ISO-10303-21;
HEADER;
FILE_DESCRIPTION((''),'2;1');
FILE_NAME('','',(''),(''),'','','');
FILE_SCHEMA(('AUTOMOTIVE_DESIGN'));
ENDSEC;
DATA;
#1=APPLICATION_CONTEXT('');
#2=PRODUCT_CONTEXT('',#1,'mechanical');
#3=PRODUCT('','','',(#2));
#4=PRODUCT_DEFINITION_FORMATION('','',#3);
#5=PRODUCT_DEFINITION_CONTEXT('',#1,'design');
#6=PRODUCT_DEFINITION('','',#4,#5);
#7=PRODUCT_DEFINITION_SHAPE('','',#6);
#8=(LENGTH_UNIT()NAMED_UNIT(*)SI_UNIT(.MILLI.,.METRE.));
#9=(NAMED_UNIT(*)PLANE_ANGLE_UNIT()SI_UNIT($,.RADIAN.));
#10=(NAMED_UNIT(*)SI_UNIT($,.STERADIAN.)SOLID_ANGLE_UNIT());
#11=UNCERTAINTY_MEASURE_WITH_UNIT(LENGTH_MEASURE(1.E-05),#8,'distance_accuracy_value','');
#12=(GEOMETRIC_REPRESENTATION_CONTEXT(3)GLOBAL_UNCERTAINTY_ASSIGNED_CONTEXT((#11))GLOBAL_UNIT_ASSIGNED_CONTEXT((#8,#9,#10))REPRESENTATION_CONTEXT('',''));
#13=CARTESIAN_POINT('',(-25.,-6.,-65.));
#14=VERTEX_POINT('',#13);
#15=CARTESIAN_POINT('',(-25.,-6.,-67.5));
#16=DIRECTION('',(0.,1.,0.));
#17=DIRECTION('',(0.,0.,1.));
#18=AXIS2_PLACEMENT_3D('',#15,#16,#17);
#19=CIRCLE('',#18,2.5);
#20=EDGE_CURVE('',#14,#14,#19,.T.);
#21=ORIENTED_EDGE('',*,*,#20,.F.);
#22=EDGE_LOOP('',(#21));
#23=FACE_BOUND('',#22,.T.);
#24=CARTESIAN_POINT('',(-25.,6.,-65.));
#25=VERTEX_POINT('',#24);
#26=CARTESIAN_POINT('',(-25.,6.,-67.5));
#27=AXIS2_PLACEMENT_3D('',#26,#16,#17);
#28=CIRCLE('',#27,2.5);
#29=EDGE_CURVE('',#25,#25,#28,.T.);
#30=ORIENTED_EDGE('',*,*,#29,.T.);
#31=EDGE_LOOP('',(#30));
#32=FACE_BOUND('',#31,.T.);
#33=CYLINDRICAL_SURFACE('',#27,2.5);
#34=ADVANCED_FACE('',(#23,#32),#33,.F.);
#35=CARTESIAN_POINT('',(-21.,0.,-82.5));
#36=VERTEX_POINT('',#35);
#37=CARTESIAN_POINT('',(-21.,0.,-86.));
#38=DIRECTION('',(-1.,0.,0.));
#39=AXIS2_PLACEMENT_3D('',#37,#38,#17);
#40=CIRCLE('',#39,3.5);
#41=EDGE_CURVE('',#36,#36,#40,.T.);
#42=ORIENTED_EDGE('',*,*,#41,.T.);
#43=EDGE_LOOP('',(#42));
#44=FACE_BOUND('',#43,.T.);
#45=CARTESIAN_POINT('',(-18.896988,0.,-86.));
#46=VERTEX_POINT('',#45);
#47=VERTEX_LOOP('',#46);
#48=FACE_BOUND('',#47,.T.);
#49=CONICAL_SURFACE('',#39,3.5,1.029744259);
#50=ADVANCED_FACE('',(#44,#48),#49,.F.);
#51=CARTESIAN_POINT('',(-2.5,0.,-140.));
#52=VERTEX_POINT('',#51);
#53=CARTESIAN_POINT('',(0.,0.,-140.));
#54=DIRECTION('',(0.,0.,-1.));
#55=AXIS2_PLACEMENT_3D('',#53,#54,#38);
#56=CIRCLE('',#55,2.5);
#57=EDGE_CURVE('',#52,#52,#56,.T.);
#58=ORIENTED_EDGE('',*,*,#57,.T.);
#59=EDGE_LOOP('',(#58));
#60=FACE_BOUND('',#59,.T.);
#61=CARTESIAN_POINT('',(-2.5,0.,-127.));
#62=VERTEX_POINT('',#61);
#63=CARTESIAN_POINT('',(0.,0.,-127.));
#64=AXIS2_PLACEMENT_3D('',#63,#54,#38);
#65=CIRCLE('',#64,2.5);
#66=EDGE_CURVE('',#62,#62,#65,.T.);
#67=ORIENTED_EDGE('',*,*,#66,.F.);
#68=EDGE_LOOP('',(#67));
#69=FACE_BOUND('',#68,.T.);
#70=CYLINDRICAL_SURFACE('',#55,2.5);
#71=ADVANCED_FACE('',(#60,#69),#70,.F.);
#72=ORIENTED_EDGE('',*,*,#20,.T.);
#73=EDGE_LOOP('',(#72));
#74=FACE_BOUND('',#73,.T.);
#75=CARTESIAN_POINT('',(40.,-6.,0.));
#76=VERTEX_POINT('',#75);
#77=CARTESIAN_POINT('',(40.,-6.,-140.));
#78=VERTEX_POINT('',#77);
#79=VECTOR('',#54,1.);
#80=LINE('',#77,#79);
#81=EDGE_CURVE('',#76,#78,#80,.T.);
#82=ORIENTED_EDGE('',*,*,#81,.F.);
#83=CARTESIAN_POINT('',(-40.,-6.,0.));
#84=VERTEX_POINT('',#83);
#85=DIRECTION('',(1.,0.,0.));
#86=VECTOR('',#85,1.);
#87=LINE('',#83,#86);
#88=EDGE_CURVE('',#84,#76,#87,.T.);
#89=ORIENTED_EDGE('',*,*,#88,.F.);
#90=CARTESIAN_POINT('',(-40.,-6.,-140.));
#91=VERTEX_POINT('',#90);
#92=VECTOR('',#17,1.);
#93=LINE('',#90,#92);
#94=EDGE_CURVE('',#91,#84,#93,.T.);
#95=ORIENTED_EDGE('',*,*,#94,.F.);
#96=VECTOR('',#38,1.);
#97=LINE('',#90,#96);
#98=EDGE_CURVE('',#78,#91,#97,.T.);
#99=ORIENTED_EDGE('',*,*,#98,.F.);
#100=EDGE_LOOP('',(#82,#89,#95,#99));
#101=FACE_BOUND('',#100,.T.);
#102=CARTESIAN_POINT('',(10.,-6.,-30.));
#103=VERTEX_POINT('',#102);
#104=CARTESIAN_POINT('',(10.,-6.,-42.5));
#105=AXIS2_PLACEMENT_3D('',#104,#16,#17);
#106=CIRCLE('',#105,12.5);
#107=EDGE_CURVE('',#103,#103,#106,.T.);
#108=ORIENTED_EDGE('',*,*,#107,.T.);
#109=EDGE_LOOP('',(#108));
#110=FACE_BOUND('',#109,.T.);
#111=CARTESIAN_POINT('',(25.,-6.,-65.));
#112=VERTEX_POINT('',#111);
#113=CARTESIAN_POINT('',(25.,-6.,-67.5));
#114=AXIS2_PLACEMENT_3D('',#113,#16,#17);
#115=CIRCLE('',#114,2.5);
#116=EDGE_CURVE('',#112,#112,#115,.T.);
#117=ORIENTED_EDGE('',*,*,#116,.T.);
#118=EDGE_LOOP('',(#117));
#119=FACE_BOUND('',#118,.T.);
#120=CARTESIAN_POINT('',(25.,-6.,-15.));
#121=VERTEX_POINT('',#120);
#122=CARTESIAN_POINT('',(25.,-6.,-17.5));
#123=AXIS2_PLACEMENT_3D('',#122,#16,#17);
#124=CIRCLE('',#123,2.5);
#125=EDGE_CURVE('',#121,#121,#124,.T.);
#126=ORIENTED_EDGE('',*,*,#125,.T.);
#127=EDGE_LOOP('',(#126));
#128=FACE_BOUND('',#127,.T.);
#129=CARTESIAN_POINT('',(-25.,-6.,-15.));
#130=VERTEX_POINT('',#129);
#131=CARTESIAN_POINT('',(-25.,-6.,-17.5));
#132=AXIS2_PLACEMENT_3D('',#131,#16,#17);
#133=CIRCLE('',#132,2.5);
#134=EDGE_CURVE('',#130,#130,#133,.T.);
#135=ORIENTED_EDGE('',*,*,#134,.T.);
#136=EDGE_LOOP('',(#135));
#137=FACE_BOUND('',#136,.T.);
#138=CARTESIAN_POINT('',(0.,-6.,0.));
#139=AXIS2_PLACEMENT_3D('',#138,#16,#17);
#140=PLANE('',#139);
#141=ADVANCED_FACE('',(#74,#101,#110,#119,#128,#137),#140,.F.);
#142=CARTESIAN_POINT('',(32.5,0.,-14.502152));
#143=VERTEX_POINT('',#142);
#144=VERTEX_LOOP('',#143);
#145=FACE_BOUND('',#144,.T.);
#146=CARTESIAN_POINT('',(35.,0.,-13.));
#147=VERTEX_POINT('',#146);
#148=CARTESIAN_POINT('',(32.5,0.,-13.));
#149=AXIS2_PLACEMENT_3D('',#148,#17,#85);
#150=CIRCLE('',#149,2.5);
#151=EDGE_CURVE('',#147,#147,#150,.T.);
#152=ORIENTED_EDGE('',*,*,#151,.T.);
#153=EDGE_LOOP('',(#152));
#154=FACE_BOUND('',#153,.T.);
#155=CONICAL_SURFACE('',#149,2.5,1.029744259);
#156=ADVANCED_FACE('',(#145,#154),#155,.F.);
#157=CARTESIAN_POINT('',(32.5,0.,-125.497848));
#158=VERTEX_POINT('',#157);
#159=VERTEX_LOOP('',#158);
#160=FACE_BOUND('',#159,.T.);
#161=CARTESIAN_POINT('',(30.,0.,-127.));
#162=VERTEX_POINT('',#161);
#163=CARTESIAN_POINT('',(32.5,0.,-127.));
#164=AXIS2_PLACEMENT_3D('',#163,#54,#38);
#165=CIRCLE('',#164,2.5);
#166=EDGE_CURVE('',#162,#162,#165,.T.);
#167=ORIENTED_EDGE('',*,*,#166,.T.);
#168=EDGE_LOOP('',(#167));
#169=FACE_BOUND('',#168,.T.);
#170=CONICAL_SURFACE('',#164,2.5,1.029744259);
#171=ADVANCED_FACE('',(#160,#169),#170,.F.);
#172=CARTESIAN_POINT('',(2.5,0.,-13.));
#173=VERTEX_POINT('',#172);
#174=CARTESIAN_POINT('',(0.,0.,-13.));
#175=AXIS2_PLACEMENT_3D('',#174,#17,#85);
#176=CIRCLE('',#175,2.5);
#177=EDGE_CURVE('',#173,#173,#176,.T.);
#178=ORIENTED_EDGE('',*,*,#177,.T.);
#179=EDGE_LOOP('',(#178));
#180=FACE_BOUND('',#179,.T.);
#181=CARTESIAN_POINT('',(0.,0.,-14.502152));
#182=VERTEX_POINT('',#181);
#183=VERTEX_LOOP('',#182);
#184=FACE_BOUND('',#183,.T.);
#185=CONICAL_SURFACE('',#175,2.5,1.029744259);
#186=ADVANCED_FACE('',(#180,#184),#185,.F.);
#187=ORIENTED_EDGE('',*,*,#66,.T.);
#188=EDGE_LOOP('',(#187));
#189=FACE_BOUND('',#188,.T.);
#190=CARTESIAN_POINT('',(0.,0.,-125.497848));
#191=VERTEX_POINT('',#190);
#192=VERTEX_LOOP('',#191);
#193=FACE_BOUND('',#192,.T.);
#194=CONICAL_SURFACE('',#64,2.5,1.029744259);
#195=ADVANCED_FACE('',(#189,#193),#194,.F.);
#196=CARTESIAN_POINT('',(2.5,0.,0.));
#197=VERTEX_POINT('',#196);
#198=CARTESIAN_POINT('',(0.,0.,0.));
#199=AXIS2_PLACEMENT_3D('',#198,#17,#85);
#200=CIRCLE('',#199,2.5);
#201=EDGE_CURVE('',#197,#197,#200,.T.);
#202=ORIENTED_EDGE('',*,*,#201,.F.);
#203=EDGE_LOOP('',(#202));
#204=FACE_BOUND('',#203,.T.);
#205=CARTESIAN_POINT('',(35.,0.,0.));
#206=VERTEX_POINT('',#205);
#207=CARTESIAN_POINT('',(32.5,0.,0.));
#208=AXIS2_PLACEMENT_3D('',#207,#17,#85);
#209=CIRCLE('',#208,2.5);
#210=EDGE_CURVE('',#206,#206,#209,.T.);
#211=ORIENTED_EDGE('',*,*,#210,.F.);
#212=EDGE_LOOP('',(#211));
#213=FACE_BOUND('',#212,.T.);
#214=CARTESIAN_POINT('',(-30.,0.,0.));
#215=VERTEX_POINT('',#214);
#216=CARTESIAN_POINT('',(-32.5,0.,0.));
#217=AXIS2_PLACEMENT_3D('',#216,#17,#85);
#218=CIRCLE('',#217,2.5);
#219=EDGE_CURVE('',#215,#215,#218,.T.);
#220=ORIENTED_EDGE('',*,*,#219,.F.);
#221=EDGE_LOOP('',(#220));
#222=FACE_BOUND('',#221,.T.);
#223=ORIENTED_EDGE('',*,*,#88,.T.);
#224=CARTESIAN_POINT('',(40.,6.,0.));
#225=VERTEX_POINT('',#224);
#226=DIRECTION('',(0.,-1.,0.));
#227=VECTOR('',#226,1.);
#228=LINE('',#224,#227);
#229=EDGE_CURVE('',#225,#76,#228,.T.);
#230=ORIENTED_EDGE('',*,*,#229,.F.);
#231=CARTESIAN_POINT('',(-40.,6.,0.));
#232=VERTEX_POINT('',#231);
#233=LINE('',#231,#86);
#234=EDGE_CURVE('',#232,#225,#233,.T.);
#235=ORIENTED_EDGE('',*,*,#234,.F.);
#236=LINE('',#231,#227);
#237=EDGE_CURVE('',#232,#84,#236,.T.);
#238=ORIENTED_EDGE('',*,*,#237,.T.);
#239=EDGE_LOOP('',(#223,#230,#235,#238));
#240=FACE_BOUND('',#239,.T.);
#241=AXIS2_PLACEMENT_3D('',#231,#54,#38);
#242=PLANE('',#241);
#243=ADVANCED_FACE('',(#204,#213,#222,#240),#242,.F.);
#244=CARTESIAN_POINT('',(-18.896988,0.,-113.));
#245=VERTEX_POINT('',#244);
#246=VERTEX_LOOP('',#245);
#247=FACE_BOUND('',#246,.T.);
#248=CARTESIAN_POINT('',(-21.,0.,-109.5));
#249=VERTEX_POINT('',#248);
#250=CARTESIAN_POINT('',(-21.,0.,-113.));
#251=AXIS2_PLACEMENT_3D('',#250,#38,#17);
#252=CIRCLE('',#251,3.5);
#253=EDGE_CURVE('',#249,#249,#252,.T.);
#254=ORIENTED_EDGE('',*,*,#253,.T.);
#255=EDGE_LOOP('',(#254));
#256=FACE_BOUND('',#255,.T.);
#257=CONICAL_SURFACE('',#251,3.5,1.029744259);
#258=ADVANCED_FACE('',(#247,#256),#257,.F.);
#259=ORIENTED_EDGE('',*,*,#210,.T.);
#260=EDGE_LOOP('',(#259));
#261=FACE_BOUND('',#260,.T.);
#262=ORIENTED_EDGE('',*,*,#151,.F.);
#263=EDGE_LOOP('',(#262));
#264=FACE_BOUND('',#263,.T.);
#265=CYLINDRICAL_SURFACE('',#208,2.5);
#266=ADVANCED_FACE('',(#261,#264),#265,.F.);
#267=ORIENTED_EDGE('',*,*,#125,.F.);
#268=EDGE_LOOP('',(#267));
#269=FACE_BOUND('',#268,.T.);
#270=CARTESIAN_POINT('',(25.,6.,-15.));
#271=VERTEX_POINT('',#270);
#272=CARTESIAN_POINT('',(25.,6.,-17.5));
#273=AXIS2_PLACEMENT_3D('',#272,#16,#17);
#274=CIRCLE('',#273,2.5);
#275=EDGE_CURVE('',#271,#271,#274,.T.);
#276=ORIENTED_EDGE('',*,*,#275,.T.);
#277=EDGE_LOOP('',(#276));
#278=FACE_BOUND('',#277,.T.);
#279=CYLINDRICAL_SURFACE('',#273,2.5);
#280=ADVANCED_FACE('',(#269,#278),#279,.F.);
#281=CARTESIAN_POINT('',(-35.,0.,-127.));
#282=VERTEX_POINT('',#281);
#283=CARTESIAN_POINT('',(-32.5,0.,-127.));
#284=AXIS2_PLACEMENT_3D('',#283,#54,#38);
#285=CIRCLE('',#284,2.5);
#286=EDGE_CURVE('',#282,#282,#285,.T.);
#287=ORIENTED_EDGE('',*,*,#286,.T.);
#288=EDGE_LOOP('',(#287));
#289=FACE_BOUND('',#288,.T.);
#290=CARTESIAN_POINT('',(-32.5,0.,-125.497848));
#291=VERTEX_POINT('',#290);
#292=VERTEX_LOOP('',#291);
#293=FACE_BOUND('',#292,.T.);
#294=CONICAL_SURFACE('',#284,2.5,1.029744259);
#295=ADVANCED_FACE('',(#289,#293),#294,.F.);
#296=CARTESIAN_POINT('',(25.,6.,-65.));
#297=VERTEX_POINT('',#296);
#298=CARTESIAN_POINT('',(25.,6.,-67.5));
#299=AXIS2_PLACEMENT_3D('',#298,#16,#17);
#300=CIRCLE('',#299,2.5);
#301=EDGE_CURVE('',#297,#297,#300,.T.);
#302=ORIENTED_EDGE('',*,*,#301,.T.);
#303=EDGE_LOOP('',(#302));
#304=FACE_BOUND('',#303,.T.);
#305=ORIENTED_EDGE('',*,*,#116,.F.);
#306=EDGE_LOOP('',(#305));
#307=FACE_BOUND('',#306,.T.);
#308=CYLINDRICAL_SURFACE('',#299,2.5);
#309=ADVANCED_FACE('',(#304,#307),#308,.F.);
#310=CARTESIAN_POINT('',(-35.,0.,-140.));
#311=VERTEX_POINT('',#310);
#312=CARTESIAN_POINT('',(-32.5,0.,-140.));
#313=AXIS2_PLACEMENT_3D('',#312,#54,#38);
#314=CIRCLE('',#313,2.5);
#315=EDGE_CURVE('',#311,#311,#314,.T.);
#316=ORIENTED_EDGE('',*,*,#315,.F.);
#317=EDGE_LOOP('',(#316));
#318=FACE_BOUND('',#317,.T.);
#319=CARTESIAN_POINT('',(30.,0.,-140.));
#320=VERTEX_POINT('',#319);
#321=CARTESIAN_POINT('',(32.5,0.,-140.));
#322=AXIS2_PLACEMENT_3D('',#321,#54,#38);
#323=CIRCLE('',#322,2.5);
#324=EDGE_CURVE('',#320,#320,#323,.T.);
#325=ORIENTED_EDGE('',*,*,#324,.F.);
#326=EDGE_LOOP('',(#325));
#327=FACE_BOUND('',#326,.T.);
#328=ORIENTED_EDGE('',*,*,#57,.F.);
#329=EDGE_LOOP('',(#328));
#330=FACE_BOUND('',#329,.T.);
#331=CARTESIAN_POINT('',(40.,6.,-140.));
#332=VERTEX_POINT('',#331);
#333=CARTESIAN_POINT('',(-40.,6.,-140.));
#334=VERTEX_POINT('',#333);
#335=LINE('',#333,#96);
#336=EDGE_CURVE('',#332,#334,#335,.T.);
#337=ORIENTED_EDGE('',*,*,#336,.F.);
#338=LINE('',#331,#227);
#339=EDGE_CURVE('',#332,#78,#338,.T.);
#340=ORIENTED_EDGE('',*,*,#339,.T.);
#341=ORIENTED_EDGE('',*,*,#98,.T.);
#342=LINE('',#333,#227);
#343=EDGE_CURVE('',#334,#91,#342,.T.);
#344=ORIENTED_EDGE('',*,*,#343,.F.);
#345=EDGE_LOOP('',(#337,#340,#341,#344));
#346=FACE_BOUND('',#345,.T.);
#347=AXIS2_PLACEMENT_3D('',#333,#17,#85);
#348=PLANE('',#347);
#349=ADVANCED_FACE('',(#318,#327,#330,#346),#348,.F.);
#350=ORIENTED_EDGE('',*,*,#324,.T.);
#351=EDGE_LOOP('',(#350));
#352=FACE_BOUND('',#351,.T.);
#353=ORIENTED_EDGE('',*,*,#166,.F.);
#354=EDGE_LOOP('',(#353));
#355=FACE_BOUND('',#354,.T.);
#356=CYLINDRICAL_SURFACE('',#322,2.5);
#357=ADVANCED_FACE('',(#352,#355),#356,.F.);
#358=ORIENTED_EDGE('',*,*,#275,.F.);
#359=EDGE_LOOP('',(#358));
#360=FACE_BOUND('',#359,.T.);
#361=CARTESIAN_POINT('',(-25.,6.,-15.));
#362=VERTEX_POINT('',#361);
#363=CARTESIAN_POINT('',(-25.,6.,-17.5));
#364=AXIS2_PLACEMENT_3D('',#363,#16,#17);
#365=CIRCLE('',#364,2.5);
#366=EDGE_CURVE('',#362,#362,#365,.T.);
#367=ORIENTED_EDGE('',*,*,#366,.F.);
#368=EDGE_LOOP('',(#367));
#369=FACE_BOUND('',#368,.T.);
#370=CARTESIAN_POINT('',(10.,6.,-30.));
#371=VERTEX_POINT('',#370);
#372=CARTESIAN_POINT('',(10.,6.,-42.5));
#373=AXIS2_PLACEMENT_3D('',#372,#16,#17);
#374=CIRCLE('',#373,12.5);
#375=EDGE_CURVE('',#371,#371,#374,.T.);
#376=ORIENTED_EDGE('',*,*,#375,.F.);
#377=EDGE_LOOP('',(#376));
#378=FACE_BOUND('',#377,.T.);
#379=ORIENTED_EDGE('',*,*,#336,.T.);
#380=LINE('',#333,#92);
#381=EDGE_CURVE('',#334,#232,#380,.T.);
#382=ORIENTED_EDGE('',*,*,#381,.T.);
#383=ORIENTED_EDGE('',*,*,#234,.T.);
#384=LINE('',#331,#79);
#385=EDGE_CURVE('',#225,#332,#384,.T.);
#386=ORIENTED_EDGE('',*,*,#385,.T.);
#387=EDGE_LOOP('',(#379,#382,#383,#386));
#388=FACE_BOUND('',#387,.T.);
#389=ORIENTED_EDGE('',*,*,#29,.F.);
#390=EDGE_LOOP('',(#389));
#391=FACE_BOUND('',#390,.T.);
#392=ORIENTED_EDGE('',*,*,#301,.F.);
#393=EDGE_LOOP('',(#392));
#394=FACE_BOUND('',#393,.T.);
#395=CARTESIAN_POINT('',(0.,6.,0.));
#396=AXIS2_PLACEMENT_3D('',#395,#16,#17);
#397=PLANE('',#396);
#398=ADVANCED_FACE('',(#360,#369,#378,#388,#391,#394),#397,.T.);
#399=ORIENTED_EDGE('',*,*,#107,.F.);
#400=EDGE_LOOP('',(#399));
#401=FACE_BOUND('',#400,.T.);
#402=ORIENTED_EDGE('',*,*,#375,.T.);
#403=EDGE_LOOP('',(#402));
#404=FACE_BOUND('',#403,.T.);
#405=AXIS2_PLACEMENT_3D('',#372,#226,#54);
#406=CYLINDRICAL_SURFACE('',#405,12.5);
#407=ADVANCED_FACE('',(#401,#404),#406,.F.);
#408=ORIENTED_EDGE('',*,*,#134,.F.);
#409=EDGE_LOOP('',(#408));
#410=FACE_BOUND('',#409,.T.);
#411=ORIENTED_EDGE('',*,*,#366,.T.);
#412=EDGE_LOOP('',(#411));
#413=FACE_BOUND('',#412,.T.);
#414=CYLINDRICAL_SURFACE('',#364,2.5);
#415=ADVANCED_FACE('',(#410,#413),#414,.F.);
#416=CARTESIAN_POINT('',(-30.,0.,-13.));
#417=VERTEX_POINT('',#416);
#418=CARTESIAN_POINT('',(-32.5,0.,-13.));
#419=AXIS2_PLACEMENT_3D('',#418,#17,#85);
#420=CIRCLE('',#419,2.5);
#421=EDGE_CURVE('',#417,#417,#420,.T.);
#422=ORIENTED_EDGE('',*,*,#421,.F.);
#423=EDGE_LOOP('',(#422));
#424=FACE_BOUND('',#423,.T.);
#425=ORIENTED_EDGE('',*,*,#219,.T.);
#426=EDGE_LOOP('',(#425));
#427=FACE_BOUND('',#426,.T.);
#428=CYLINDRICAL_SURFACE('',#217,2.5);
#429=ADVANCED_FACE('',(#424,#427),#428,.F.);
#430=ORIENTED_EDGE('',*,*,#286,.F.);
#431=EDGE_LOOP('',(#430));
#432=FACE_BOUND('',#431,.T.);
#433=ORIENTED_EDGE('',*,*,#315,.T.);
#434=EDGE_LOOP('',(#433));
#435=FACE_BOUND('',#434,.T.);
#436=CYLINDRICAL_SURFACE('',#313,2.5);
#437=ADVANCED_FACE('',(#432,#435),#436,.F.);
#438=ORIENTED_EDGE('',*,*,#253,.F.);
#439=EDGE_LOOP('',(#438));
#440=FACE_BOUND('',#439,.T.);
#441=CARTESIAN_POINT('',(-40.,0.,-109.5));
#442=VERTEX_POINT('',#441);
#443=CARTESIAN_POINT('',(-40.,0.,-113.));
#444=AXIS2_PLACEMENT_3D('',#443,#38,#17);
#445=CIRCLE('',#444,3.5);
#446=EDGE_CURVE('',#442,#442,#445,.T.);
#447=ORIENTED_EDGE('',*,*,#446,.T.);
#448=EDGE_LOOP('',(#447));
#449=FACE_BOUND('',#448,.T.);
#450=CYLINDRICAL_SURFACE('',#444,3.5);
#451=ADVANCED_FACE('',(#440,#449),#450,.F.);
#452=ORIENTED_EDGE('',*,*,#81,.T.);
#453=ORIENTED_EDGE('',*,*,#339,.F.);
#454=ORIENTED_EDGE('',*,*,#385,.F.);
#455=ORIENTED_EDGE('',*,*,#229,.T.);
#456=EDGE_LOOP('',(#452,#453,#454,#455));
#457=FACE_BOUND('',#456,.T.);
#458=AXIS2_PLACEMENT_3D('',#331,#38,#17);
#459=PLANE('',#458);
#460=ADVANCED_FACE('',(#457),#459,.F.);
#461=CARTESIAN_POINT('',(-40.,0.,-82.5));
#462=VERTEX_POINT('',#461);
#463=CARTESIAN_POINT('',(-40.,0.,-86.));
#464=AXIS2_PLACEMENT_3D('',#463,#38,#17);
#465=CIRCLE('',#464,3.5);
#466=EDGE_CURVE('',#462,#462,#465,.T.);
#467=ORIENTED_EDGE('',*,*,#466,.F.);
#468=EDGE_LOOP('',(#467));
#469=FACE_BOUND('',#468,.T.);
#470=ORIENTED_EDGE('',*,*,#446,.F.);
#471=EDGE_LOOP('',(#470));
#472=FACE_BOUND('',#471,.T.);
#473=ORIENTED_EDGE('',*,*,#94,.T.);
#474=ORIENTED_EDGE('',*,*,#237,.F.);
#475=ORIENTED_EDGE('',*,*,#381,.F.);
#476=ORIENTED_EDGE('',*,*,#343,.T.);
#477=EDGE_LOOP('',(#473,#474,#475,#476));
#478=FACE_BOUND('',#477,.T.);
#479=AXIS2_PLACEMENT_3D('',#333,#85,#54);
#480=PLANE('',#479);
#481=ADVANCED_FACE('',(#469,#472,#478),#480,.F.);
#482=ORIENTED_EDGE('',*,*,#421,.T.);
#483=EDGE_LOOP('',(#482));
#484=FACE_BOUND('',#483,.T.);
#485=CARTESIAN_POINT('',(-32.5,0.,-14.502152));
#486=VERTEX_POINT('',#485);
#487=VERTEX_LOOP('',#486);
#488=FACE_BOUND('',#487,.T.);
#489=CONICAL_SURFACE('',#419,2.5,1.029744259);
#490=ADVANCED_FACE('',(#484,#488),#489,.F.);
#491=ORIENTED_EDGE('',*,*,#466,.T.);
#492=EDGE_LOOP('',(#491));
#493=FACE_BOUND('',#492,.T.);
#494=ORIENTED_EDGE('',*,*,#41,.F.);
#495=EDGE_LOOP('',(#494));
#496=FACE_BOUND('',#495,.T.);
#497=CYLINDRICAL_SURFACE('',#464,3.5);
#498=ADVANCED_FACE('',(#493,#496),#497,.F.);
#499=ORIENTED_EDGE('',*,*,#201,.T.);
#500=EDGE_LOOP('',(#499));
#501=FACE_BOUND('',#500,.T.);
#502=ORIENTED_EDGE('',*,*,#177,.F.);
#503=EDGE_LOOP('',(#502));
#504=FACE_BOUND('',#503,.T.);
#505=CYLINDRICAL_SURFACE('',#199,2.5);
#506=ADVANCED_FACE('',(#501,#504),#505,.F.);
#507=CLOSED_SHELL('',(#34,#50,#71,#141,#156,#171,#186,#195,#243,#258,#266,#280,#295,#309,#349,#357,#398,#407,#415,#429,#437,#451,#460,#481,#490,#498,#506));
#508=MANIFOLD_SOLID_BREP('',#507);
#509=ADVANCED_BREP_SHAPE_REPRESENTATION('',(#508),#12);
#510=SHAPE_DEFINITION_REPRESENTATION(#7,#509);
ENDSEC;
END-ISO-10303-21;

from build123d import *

# Parameters (mm, degrees)
SKETCH1_W                  = 80
SKETCH1_H                  = 140
SKETCH1_R                  = 12.5
BOSS_EXTRUDE1_DEPTH        = 6
M6_TAPPED_HOLE1_D          = 5
M6_TAPPED_HOLE2_AT_2_COUNT = 2
M6_TAPPED_HOLE2_AT_2_PITCH = 32.5
M6_TAPPED_HOLE2_AT_3_COUNT = 2
M6_TAPPED_HOLE2_AT_3_PITCH = 65
M8X1_0_TAPPED_HOLE1_D      = 7
M8X1_0_TAPPED_HOLE1_DEPTH  = 19
M8X1_0_TAPPED_HOLE1_TIP    = 2.103012167


with BuildPart() as part:
    # Sketch1 → Boss-Extrude1 (new body, symmetric)
    with BuildSketch(Plane(origin=(0, 0, 0), x_dir=(1, 0, 0), z_dir=(0, 1, 0))):
        with Locations((0, 70)):
            Rectangle(SKETCH1_W, SKETCH1_H)
        with Locations((10, 42.5)):
            Circle(SKETCH1_R, mode=Mode.SUBTRACT)
    extrude(amount=BOSS_EXTRUDE1_DEPTH, both=True)

    # M6 Tapped Hole1 (through all)
    with Locations(Plane(origin=(0, 6, 0), x_dir=(1, 0, 0), z_dir=(0, 1, 0))):
        with Locations((-25, 67.5), (25, 67.5), (25, 17.5), (-25, 17.5)):
            Hole(M6_TAPPED_HOLE1_D / 2)

    # Sketch9 → M6 Tapped Hole2 (revolve, cut)
    with BuildSketch(Plane(origin=(32.5, 0, 0), x_dir=(0, -1, 0), z_dir=(1, 0, 0))):
        Polygon((0, 0), (0, 14.502151548), (2.5, 13), (2.5, 0), align=None)
    m6_tapped_hole2 = revolve(axis=Axis((32.5, 0, 6.35), (0, 0, -1)), mode=Mode.SUBTRACT)

    # M6 Tapped Hole2 at 2: M6 Tapped Hole2 ×2
    with Locations(*[(-i * M6_TAPPED_HOLE2_AT_2_PITCH, 0, 0) for i in range(1, M6_TAPPED_HOLE2_AT_2_COUNT)]):
        add(m6_tapped_hole2, mode=Mode.SUBTRACT)

    # M6 Tapped Hole2 at 3: M6 Tapped Hole2 ×2
    with Locations(*[(-i * M6_TAPPED_HOLE2_AT_3_PITCH, 0, 0) for i in range(1, M6_TAPPED_HOLE2_AT_3_COUNT)]):
        add(m6_tapped_hole2, mode=Mode.SUBTRACT)

    # Mirror1: M6 Tapped Hole2 across plane
    add(m6_tapped_hole2.mirror(Plane(origin=(0, 0, -70), x_dir=(1, 0, 0), z_dir=(0, 0, -1))), mode=Mode.SUBTRACT)

    # Mirror1 copy 1 sketch → Mirror1 copy 1 (revolve, cut)
    with BuildSketch(Plane(origin=(0, 0, -140), x_dir=(0, -1, 0), z_dir=(1, 0, 0))):
        Polygon((0, 0), (0, -14.502151548), (2.5, -13), (2.5, 0), align=None)
    revolve(axis=Axis((0, 0, -146.35), (0, 0, -1)), mode=Mode.SUBTRACT)

    # Mirror1 copy 2 sketch → Mirror1 copy 2 (revolve, cut)
    with BuildSketch(Plane(origin=(-32.5, 0, -140), x_dir=(0, -1, 0), z_dir=(1, 0, 0))):
        Polygon((0, 0), (0, -14.502151548), (2.5, -13), (2.5, 0), align=None)
    revolve(axis=Axis((-32.5, 0, -146.35), (0, 0, -1)), mode=Mode.SUBTRACT)

    # M8x1.0 Tapped Hole1
    with Locations(Plane.ZY.offset(40)):
        with Locations((-113, 0), (-86, 0)):
            Hole(M8X1_0_TAPPED_HOLE1_D / 2, depth=M8X1_0_TAPPED_HOLE1_DEPTH)
            with Locations((0, 0, -(M8X1_0_TAPPED_HOLE1_DEPTH + M8X1_0_TAPPED_HOLE1_TIP / 2))):  # 118° drill point
                Cone(0, M8X1_0_TAPPED_HOLE1_D / 2, M8X1_0_TAPPED_HOLE1_TIP, mode=Mode.SUBTRACT)


solid = part.part
